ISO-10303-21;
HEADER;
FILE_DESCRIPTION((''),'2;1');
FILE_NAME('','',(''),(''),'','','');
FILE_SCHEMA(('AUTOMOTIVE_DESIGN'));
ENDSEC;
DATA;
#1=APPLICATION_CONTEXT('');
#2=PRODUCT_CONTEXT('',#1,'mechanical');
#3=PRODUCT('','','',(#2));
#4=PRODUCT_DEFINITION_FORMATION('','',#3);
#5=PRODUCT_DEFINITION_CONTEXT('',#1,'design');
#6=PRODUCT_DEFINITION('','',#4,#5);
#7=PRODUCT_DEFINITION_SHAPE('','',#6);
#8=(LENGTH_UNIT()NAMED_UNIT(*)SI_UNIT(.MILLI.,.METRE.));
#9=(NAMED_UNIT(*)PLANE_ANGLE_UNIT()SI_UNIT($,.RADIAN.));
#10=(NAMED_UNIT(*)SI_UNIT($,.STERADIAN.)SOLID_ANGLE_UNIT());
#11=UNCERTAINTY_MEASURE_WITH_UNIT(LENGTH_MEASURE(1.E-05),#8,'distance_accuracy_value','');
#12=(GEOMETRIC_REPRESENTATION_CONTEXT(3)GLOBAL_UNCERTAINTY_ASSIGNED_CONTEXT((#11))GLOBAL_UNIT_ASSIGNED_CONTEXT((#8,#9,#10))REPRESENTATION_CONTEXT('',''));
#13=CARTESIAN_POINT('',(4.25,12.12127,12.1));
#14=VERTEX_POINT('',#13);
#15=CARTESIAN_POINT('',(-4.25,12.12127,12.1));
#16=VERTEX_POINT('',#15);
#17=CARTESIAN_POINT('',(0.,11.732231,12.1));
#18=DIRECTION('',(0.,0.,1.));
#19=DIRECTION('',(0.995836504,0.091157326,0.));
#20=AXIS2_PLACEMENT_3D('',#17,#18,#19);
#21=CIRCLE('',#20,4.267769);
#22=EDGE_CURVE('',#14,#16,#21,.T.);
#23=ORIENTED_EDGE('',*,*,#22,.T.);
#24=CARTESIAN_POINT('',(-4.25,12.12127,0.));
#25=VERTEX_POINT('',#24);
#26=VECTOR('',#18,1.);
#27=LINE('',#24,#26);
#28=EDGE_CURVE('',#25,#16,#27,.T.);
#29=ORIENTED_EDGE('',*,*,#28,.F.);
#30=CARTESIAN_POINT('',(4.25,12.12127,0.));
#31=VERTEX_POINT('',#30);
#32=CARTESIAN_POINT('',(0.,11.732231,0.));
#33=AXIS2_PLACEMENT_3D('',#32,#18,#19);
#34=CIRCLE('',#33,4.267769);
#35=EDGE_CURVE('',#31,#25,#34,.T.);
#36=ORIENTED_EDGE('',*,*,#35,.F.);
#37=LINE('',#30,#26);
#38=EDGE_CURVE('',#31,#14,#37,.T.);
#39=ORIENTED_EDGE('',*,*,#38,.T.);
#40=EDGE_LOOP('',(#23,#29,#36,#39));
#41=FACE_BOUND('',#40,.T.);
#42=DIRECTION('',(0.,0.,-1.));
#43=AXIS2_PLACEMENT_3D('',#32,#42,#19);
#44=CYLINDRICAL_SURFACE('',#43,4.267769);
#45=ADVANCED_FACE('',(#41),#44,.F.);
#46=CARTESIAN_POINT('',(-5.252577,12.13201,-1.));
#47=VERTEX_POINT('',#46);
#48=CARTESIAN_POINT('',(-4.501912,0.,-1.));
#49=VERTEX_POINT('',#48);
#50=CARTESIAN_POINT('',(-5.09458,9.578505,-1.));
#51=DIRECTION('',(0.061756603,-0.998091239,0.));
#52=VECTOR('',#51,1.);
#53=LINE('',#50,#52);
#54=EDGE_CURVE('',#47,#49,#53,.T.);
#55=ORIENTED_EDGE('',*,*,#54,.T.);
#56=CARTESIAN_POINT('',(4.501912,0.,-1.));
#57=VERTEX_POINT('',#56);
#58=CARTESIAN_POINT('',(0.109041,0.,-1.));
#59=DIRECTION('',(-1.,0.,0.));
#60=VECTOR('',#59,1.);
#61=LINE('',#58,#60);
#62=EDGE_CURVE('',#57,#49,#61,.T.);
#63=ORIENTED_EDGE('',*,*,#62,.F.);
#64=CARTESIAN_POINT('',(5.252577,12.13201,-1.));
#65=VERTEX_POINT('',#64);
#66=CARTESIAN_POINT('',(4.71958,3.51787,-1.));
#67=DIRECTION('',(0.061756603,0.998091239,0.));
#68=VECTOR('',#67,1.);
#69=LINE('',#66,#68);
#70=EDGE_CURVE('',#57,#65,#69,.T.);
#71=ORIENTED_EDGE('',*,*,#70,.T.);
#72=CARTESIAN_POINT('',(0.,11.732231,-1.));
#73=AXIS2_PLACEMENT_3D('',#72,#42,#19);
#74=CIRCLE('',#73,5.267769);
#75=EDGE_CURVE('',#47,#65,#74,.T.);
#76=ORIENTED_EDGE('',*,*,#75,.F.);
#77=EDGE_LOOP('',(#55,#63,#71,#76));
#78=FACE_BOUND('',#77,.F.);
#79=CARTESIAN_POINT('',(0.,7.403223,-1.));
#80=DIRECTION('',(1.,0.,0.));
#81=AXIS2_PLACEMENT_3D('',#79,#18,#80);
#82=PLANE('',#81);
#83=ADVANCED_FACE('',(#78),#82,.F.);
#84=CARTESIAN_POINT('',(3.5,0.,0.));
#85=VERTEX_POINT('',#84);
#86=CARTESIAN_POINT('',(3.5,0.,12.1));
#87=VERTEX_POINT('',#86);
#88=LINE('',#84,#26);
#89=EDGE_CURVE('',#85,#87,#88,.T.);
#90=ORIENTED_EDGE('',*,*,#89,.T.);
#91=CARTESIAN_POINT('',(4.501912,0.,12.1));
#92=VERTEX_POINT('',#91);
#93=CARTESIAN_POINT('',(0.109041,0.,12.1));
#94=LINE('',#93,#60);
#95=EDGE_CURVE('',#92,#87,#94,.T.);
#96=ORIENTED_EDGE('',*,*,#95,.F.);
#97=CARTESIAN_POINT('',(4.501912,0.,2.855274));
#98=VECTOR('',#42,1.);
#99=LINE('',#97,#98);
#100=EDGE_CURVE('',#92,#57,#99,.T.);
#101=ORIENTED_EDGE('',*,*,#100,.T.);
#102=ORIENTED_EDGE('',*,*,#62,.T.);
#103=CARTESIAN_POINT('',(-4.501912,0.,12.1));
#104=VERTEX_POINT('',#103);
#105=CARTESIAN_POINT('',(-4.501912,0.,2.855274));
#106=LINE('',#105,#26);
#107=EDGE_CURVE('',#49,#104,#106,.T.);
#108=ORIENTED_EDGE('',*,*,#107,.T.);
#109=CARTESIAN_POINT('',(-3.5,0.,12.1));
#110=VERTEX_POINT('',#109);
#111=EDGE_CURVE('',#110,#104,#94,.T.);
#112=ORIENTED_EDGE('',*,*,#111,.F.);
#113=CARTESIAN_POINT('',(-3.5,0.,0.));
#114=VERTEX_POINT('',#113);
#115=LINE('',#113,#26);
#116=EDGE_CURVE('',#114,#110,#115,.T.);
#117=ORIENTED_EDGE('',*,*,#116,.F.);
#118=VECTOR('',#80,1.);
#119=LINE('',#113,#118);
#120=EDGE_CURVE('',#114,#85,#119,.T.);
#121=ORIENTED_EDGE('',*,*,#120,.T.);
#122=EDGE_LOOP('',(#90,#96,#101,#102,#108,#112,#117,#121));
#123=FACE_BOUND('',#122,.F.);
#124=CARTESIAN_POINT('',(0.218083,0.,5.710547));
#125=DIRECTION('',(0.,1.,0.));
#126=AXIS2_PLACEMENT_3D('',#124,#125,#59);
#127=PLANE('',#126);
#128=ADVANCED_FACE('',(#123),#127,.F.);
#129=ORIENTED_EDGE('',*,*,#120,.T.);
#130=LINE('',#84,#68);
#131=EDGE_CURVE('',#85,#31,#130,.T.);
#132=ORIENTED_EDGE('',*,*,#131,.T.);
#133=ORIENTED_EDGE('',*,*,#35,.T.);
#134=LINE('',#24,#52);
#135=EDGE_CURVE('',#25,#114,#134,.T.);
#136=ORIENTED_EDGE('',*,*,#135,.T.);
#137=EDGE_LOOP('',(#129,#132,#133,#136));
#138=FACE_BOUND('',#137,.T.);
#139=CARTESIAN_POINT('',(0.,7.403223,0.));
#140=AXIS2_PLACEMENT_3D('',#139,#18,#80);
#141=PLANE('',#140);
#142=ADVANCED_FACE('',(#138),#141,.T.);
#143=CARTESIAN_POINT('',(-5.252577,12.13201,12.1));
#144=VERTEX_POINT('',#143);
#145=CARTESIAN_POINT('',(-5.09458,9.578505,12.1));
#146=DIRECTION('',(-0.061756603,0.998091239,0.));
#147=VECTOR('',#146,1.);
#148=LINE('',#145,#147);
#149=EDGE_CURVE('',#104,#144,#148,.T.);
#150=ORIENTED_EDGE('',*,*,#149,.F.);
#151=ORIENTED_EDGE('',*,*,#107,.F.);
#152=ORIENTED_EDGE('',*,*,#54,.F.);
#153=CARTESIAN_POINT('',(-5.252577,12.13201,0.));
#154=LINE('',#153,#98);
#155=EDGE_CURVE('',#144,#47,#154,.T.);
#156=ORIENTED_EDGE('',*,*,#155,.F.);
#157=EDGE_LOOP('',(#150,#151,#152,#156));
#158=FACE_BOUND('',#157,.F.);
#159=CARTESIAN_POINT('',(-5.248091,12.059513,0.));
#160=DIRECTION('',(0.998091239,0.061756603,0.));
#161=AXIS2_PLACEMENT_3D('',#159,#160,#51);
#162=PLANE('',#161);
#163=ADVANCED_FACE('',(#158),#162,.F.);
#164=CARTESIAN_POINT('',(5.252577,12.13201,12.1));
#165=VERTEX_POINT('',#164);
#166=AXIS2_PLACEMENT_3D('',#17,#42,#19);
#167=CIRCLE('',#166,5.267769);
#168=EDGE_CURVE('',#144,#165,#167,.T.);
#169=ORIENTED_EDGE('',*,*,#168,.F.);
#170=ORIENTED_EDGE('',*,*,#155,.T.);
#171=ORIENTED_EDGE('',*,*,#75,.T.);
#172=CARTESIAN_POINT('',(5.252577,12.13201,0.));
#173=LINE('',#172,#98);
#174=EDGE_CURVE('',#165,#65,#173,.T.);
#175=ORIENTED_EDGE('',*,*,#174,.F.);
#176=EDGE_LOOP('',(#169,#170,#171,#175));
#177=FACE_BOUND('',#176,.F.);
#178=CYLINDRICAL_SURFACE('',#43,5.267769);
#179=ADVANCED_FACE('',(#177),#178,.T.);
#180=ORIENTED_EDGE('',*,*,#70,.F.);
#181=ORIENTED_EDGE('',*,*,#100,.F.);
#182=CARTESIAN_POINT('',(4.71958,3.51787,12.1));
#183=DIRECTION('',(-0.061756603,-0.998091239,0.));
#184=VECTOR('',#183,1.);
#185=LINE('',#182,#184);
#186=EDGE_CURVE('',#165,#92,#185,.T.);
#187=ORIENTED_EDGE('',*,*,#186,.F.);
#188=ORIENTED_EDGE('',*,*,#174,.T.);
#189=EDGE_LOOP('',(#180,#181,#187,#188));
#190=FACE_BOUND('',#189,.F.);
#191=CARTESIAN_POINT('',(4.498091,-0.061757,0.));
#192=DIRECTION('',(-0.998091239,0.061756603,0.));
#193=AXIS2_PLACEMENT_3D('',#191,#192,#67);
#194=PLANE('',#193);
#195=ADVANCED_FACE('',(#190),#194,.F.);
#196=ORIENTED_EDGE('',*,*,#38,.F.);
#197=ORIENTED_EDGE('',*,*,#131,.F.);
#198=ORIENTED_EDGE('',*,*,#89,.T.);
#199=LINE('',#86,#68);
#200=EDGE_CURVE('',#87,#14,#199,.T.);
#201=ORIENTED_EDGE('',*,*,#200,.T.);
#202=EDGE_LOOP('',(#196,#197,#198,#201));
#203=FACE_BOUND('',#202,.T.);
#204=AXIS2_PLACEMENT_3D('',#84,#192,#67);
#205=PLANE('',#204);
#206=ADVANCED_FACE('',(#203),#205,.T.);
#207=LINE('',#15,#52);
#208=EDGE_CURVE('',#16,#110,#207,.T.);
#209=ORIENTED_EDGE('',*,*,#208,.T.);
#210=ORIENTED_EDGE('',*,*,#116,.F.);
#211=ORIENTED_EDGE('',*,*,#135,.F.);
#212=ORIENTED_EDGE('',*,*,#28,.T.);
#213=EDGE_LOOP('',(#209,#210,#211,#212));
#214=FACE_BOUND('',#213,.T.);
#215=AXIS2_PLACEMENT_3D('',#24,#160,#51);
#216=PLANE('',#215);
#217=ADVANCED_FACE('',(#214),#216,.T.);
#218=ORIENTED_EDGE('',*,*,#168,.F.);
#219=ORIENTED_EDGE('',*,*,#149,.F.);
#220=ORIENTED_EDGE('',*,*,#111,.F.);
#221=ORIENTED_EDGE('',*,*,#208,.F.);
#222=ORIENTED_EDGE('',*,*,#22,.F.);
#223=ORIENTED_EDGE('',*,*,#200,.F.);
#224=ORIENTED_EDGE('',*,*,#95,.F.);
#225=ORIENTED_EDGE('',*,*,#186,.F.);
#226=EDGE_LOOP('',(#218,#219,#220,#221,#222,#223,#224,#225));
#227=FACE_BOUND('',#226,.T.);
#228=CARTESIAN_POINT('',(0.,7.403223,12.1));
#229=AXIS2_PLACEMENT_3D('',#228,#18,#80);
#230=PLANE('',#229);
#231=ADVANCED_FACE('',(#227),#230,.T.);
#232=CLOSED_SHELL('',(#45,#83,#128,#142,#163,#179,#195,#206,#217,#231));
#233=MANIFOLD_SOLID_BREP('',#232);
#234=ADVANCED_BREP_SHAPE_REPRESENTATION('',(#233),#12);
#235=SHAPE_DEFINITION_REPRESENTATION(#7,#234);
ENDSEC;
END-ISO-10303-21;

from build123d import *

# Parameters (mm, degrees)
F1_DEPTH = 12.1
F2_T     = 1
F3_W     = 13.9636243694
F3_H     = 14.0063923318
F4_DEPTH = 25


with BuildPart() as f1:
    # F0 (on Top) → F1 (new body)
    with BuildSketch(Plane.XY):
        with BuildLine():
            Line((-4.25, 12.1212695545), (-3.5, 0))
            Line((-3.5, 0), (3.5, 0))
            Line((3.5, 0), (4.25, 12.1212695545))
            ThreePointArc((4.25, 12.1212695545), (0, 16), (-4.25, 12.1212695545))
        make_face()
    extrude(amount=F1_DEPTH)

    # F2
    f2_openings = [f1.faces().sort_by_distance(p)[0] for p in [
        (0, 7.847048, 12.1),
    ]]
    offset(amount=F2_T, openings=f2_openings, kind=Kind.INTERSECTION)

    # F3 (on face) → F4 (cut)
    with BuildSketch(Plane(origin=(0, 0, 0), x_dir=(-1, 0, 0), z_dir=(0, 1, 0))):
        with Locations((-0.2180829179, 5.7105472079)):
            Rectangle(F3_W, F3_H)
    extrude(amount=-F4_DEPTH, mode=Mode.SUBTRACT)


solid = f1.part
